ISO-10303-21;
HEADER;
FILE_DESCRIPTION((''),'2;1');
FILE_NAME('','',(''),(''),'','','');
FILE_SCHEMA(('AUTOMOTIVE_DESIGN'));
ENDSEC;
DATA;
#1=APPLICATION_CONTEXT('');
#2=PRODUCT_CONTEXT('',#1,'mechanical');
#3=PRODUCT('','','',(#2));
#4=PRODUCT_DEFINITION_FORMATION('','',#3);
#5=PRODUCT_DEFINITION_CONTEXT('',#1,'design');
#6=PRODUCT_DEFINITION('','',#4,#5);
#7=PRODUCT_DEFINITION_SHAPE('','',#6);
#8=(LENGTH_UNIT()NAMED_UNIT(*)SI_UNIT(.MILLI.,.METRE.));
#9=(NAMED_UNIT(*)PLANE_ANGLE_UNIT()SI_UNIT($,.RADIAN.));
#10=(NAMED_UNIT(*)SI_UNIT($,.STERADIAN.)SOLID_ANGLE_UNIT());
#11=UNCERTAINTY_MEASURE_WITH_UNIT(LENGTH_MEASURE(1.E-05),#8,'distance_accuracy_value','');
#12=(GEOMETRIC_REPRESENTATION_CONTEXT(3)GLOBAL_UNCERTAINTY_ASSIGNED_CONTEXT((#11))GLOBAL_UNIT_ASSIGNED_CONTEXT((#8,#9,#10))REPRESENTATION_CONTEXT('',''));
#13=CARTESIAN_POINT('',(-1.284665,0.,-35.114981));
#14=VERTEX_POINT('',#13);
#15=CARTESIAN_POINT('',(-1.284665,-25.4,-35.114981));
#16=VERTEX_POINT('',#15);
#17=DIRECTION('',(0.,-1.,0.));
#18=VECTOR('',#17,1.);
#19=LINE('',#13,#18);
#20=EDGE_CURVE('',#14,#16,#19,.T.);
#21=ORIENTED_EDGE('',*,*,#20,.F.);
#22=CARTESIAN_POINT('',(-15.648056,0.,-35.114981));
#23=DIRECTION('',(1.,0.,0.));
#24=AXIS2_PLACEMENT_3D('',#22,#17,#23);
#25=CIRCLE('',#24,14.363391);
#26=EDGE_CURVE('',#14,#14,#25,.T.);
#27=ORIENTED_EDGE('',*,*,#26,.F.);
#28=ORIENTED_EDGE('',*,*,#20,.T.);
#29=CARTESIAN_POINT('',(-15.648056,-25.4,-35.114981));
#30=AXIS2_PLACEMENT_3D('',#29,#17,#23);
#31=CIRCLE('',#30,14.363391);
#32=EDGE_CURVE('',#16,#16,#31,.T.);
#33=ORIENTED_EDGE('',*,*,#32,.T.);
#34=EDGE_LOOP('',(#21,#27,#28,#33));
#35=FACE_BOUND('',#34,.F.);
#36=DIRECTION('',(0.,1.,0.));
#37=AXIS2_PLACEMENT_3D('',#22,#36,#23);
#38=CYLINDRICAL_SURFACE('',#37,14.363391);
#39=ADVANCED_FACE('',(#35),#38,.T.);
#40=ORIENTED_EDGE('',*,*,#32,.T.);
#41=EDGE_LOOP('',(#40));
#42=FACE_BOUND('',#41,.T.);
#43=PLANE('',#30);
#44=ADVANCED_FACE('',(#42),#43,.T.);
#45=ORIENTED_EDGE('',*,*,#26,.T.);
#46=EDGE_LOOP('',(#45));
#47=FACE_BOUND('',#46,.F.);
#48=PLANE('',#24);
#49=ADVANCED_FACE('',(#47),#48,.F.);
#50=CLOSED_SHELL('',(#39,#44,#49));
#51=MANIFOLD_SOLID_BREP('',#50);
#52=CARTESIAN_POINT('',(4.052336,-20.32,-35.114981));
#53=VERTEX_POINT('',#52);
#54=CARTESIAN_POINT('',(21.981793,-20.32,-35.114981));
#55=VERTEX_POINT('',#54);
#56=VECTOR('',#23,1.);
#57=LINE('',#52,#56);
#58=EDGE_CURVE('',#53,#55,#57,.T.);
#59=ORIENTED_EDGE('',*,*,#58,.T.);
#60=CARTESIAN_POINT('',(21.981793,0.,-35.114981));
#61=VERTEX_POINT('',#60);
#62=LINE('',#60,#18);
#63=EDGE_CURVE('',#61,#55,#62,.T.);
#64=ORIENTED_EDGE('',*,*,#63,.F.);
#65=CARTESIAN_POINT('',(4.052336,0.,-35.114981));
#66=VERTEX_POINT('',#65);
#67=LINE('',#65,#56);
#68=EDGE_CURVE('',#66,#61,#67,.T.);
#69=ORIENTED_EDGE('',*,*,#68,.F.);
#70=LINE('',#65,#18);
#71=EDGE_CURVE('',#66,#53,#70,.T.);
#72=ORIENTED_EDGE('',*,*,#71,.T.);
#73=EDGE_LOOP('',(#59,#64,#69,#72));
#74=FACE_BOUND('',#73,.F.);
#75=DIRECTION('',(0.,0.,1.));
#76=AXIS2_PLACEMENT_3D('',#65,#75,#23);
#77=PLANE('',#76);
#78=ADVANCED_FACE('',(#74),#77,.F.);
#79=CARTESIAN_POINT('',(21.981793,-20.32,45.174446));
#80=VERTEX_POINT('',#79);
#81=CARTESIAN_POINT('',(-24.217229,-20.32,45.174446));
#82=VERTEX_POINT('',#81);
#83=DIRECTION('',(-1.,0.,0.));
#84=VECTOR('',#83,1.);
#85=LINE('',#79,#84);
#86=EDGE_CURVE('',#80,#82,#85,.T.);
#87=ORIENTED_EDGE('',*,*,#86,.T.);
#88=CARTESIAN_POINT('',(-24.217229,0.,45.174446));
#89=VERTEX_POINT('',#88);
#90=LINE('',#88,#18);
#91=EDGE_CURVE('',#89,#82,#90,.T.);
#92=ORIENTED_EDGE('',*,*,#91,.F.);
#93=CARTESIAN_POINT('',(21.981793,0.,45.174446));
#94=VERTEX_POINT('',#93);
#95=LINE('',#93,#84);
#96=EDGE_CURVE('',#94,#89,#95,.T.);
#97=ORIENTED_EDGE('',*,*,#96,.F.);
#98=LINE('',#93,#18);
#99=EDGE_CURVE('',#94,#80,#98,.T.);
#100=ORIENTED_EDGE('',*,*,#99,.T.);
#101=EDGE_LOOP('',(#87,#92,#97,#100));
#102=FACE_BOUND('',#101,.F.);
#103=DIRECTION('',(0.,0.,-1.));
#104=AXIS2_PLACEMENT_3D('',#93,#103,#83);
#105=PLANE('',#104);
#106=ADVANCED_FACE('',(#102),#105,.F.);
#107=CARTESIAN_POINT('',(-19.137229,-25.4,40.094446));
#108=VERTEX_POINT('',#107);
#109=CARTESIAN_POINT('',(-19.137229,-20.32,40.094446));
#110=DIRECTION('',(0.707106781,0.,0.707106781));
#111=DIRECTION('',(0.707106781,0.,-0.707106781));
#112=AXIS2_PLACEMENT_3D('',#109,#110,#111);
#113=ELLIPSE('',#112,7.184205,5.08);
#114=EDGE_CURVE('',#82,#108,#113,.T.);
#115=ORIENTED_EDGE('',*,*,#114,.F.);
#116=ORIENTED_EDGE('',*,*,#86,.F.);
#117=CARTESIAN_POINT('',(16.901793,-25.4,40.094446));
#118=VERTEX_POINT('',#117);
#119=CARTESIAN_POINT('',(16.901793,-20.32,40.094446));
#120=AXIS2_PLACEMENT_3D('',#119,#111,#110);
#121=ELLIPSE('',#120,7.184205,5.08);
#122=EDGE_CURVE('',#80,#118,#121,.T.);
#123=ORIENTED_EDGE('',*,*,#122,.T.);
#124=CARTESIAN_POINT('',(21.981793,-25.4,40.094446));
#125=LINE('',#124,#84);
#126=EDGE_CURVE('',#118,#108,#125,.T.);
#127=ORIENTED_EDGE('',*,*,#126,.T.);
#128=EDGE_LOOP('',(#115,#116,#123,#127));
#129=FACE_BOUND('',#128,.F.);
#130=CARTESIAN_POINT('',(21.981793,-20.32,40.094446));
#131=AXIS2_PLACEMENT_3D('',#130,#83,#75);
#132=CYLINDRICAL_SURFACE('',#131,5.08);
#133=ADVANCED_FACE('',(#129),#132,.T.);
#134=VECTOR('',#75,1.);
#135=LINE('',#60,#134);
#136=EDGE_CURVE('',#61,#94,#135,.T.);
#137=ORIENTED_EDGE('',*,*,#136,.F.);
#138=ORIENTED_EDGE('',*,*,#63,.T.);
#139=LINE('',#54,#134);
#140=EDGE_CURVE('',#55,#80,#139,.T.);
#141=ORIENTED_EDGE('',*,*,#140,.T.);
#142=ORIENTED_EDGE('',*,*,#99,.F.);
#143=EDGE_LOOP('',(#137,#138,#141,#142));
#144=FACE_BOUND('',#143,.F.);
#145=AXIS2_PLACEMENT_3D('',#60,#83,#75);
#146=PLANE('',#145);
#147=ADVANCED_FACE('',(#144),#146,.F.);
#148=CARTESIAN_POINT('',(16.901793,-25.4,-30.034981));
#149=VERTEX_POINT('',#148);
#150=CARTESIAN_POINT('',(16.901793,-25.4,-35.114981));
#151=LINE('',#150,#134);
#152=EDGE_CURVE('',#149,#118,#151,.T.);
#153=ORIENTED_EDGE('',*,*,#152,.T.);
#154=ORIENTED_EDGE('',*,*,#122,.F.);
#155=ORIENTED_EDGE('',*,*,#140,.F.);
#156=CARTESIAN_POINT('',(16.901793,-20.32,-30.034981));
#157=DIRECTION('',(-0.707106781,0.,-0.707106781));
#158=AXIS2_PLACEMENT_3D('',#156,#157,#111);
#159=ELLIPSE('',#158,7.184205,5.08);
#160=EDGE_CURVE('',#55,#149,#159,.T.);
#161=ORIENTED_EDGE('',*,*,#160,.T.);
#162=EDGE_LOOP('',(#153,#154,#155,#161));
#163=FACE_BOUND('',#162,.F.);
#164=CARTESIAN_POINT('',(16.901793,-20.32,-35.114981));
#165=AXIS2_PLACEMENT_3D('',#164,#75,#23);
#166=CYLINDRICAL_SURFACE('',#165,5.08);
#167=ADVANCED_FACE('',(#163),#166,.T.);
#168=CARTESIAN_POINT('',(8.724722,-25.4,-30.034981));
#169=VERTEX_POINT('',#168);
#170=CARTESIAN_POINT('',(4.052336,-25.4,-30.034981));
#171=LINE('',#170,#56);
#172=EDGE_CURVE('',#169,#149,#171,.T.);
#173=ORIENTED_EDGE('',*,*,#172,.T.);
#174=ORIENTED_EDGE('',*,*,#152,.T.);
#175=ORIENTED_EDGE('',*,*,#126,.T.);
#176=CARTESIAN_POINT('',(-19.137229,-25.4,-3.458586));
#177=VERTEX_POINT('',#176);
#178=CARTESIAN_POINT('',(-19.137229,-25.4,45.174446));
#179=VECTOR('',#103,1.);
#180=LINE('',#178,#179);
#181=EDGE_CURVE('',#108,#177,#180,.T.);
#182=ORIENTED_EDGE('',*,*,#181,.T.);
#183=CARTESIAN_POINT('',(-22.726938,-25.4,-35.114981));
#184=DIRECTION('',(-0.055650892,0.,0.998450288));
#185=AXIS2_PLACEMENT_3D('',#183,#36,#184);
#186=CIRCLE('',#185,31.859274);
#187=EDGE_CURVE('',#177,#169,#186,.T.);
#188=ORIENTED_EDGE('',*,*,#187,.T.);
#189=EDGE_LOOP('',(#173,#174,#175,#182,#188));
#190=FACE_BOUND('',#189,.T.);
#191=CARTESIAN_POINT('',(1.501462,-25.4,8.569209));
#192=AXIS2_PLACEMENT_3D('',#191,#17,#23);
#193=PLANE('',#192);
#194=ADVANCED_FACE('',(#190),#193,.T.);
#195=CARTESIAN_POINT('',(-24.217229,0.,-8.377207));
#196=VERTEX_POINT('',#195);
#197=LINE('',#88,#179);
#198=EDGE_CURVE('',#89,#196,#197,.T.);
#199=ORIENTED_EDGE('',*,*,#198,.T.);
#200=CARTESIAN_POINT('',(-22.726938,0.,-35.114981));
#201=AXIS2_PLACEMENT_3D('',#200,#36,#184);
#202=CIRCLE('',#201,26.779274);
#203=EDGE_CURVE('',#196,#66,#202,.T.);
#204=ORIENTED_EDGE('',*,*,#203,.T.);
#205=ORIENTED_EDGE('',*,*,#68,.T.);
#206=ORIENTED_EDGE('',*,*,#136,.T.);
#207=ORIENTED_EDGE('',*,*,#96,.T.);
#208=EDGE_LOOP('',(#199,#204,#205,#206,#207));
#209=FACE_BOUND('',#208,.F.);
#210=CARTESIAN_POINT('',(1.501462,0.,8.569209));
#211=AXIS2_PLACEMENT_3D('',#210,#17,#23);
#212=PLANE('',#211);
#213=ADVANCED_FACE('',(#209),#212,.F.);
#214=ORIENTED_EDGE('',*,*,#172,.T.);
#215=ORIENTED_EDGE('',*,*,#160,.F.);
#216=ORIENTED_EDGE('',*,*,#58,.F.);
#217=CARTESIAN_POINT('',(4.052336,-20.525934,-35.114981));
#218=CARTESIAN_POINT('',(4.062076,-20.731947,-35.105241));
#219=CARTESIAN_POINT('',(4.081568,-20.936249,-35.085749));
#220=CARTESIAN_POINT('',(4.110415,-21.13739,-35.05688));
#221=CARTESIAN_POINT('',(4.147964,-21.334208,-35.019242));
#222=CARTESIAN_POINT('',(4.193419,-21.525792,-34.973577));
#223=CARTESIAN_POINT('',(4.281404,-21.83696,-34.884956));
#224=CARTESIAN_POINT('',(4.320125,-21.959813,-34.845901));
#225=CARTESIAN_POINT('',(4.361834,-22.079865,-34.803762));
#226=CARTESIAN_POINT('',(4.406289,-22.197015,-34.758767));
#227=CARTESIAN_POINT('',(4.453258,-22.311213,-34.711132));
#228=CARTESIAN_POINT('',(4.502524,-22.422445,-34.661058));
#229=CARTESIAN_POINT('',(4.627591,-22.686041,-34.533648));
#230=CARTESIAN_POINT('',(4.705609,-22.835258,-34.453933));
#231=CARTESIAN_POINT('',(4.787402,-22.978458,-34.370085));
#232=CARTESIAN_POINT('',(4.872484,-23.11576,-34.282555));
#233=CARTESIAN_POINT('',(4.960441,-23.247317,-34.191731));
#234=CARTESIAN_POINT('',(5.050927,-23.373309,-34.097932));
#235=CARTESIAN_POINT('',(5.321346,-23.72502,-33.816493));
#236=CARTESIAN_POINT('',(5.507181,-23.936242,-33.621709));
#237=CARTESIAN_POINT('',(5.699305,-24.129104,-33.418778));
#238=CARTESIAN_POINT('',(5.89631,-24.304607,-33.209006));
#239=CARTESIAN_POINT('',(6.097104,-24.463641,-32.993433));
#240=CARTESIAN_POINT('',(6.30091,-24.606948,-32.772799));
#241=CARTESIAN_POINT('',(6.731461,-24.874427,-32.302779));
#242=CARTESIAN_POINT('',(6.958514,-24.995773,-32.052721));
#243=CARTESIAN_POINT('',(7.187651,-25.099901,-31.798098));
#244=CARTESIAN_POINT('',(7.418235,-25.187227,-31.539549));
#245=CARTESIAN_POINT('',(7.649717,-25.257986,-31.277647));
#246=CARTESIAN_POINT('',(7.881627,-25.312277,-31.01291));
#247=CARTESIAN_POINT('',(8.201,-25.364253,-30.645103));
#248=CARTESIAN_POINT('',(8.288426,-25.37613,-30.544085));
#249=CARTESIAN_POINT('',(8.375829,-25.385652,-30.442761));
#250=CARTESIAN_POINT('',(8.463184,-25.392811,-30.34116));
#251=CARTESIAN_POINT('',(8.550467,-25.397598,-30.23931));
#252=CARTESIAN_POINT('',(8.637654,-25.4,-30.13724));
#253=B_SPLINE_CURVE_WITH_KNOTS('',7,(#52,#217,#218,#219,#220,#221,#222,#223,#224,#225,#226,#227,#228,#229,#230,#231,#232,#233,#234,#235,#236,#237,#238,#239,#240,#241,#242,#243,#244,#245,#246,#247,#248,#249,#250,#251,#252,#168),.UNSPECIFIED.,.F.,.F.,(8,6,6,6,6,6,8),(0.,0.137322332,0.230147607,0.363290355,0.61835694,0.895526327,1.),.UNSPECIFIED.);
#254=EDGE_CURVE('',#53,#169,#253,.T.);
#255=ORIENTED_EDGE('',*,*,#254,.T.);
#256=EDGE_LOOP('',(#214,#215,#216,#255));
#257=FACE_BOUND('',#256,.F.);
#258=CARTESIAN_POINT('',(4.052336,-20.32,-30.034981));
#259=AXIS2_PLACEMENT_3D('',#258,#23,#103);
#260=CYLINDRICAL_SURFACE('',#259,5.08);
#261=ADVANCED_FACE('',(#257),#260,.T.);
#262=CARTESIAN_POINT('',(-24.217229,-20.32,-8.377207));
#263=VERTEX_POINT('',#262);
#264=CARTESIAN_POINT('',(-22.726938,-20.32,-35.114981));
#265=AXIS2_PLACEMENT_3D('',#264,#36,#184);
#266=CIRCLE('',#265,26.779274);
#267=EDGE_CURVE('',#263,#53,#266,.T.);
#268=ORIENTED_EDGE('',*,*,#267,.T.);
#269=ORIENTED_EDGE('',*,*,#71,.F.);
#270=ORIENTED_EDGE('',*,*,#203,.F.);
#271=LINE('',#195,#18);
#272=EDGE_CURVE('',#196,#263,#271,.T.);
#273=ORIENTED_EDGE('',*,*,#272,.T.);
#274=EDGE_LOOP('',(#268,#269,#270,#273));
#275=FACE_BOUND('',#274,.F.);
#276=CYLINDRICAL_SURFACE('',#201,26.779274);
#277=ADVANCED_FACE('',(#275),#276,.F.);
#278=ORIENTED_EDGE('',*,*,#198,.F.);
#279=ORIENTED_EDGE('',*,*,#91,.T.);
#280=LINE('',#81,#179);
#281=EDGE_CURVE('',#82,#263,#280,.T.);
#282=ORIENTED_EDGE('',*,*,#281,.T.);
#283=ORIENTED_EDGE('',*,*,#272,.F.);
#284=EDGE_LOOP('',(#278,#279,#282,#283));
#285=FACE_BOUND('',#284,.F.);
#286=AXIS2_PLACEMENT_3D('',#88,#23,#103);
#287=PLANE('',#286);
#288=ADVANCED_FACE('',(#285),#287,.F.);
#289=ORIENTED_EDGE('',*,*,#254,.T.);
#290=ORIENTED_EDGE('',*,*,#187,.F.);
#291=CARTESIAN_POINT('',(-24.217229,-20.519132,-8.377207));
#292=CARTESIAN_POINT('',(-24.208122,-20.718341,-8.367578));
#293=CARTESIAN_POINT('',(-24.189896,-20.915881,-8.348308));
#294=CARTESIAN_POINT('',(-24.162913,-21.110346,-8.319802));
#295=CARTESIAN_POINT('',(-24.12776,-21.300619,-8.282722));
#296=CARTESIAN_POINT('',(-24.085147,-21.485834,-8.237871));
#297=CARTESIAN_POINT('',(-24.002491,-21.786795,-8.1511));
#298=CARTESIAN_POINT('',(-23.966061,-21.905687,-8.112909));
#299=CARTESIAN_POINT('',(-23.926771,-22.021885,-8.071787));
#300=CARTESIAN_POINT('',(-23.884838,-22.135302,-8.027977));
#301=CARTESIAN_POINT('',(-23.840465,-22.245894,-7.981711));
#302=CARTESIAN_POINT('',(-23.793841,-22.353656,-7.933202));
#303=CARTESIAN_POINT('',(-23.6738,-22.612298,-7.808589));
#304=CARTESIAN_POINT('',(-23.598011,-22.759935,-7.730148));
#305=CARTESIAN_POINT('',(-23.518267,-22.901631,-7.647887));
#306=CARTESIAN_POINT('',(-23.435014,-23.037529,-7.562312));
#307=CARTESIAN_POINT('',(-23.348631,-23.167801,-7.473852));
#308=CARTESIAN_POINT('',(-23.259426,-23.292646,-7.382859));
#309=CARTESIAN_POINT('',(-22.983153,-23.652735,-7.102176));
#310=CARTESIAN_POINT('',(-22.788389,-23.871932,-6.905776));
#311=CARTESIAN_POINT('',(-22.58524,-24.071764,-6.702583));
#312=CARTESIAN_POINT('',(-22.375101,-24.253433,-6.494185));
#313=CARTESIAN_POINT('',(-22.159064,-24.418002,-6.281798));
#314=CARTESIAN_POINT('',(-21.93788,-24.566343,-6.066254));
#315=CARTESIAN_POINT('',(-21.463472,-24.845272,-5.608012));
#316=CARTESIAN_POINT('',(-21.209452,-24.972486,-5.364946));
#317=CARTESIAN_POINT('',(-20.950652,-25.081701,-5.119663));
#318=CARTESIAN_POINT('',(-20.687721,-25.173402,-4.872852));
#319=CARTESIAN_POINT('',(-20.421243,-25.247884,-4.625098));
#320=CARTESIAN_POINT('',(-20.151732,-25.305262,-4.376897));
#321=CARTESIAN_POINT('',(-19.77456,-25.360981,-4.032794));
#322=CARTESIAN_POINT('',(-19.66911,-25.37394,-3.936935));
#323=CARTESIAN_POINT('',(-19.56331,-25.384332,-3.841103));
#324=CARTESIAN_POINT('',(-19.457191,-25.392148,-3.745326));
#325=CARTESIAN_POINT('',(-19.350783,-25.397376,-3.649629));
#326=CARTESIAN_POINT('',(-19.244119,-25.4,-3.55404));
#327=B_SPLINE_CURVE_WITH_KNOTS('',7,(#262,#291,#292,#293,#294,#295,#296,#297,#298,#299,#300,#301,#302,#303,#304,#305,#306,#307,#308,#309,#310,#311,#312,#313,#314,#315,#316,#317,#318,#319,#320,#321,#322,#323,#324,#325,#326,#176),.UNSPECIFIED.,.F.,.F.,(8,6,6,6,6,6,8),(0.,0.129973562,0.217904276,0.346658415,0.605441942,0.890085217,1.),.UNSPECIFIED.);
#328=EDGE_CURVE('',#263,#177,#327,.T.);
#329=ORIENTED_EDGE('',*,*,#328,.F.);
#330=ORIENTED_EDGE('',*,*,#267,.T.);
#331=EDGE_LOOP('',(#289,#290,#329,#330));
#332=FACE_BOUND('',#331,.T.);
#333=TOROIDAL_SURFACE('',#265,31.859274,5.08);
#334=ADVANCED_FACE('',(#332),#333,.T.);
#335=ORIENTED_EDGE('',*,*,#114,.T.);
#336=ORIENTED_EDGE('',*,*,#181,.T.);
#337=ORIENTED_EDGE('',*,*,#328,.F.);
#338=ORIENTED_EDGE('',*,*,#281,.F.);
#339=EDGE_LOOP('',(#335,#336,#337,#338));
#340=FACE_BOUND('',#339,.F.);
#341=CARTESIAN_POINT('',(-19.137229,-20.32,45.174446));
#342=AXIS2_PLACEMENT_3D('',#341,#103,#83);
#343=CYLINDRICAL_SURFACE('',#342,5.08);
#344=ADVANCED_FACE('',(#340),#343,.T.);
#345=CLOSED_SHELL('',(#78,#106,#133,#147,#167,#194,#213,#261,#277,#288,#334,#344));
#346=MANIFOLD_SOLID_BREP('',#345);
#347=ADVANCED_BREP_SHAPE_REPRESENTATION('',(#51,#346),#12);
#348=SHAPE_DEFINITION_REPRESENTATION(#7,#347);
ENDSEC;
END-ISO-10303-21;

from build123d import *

# Parameters (mm, degrees)
F0_R     = 14.363391
F1_DEPTH = 25.4
F2_R     = 5.08


with BuildPart() as f1:
    # F0 (on Front) → F1 (new body)
    with BuildSketch(Plane.XZ):
        with BuildLine():
            Line((21.981793, 45.174446), (-24.217229, 45.174446))
            Line((-24.217229, 45.174446), (-24.217229, -8.377207))
            ThreePointArc((-24.217229, -8.377207), (-4.325571, -15.659411), (4.052336, -35.114981))
            Line((4.052336, -35.114981), (21.981793, -35.114981))
            Line((21.981793, -35.114981), (21.981793, 45.174446))
        make_face()
        with Locations((-15.648056, -35.114981)):
            Circle(F0_R)
    extrude(amount=F1_DEPTH)

    # F2
    f2_edges = [f1.edges().sort_by_distance(p)[0] for p in [
        (-24.217229, -25.4, 18.39862),
        (-4.325571, -25.4, -15.659411),
        (13.017064, -25.4, -35.114981),
        (21.981793, -25.4, 5.029732),
        (-1.117718, -25.4, 45.174446),
    ]]
    fillet(f2_edges, radius=F2_R)


solid = f1.part
